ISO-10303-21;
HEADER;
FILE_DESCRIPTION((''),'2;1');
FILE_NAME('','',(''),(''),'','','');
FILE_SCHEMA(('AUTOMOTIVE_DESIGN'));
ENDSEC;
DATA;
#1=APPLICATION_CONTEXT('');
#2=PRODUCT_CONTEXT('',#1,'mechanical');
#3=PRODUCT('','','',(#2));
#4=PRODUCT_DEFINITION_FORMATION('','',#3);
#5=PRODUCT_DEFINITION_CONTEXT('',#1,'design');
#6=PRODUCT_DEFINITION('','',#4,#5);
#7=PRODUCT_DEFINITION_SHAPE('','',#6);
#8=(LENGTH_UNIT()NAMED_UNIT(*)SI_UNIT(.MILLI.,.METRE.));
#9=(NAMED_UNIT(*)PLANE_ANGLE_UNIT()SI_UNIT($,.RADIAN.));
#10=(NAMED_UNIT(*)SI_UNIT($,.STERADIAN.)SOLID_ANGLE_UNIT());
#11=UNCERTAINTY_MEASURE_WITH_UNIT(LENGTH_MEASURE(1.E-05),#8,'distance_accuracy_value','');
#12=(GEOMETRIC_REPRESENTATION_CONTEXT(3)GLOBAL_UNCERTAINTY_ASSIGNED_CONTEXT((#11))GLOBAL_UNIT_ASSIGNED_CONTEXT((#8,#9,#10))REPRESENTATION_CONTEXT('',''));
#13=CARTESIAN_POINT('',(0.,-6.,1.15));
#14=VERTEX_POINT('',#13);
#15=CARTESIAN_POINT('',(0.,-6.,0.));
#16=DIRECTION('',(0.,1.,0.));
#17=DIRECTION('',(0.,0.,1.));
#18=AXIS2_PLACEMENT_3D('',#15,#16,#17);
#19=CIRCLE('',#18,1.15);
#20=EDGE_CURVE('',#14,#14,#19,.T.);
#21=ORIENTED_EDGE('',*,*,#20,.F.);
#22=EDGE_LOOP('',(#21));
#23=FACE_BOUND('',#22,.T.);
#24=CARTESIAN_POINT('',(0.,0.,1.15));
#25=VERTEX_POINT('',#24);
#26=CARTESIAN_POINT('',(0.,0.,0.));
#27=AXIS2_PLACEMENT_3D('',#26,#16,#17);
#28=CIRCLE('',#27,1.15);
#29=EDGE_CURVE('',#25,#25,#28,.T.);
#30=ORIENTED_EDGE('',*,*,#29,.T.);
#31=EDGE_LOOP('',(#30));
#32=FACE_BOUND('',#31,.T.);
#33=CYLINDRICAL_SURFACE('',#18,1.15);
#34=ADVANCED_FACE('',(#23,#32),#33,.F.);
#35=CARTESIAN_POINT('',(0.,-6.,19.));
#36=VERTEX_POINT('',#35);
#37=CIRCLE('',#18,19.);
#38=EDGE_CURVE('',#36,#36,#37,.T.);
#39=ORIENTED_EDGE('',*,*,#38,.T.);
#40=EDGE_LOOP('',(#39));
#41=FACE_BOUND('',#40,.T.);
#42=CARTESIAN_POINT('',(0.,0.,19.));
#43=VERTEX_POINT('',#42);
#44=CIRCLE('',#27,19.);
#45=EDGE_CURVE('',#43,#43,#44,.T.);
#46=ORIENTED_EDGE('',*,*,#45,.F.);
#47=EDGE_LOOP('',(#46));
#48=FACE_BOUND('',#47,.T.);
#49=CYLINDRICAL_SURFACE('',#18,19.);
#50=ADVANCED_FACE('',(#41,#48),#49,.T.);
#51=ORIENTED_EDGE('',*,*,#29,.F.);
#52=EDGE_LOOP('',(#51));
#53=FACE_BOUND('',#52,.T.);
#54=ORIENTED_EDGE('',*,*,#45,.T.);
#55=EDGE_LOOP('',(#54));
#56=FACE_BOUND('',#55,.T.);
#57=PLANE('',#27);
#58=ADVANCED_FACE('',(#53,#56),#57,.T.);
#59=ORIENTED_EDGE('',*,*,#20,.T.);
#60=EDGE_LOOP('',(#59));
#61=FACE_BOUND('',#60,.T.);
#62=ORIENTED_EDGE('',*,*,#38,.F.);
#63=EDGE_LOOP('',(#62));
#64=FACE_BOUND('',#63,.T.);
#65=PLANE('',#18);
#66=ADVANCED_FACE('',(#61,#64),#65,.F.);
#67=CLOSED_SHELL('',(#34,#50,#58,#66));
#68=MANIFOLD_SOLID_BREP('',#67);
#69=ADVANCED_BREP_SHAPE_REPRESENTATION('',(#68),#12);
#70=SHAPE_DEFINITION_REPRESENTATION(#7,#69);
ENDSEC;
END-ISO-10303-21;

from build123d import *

# Parameters (mm, degrees)
SKETCH1_R           = 19
SKETCH1_R_2         = 1.15
BOSS_EXTRUDE1_DEPTH = 6


with BuildPart() as part:
    # Sketch1 → Boss-Extrude1 (new body)
    with BuildSketch(Plane(origin=(0, 0, 0), x_dir=(1, 0, 0), z_dir=(0, 1, 0))):
        with Locations(Location((0, 0, 0), (0, 0, 270))):
            Circle(SKETCH1_R)
        with Locations(Location((0, 0, 0), (0, 0, 270))):
            Circle(SKETCH1_R_2, mode=Mode.SUBTRACT)
    extrude(amount=-BOSS_EXTRUDE1_DEPTH)


solid = part.part
